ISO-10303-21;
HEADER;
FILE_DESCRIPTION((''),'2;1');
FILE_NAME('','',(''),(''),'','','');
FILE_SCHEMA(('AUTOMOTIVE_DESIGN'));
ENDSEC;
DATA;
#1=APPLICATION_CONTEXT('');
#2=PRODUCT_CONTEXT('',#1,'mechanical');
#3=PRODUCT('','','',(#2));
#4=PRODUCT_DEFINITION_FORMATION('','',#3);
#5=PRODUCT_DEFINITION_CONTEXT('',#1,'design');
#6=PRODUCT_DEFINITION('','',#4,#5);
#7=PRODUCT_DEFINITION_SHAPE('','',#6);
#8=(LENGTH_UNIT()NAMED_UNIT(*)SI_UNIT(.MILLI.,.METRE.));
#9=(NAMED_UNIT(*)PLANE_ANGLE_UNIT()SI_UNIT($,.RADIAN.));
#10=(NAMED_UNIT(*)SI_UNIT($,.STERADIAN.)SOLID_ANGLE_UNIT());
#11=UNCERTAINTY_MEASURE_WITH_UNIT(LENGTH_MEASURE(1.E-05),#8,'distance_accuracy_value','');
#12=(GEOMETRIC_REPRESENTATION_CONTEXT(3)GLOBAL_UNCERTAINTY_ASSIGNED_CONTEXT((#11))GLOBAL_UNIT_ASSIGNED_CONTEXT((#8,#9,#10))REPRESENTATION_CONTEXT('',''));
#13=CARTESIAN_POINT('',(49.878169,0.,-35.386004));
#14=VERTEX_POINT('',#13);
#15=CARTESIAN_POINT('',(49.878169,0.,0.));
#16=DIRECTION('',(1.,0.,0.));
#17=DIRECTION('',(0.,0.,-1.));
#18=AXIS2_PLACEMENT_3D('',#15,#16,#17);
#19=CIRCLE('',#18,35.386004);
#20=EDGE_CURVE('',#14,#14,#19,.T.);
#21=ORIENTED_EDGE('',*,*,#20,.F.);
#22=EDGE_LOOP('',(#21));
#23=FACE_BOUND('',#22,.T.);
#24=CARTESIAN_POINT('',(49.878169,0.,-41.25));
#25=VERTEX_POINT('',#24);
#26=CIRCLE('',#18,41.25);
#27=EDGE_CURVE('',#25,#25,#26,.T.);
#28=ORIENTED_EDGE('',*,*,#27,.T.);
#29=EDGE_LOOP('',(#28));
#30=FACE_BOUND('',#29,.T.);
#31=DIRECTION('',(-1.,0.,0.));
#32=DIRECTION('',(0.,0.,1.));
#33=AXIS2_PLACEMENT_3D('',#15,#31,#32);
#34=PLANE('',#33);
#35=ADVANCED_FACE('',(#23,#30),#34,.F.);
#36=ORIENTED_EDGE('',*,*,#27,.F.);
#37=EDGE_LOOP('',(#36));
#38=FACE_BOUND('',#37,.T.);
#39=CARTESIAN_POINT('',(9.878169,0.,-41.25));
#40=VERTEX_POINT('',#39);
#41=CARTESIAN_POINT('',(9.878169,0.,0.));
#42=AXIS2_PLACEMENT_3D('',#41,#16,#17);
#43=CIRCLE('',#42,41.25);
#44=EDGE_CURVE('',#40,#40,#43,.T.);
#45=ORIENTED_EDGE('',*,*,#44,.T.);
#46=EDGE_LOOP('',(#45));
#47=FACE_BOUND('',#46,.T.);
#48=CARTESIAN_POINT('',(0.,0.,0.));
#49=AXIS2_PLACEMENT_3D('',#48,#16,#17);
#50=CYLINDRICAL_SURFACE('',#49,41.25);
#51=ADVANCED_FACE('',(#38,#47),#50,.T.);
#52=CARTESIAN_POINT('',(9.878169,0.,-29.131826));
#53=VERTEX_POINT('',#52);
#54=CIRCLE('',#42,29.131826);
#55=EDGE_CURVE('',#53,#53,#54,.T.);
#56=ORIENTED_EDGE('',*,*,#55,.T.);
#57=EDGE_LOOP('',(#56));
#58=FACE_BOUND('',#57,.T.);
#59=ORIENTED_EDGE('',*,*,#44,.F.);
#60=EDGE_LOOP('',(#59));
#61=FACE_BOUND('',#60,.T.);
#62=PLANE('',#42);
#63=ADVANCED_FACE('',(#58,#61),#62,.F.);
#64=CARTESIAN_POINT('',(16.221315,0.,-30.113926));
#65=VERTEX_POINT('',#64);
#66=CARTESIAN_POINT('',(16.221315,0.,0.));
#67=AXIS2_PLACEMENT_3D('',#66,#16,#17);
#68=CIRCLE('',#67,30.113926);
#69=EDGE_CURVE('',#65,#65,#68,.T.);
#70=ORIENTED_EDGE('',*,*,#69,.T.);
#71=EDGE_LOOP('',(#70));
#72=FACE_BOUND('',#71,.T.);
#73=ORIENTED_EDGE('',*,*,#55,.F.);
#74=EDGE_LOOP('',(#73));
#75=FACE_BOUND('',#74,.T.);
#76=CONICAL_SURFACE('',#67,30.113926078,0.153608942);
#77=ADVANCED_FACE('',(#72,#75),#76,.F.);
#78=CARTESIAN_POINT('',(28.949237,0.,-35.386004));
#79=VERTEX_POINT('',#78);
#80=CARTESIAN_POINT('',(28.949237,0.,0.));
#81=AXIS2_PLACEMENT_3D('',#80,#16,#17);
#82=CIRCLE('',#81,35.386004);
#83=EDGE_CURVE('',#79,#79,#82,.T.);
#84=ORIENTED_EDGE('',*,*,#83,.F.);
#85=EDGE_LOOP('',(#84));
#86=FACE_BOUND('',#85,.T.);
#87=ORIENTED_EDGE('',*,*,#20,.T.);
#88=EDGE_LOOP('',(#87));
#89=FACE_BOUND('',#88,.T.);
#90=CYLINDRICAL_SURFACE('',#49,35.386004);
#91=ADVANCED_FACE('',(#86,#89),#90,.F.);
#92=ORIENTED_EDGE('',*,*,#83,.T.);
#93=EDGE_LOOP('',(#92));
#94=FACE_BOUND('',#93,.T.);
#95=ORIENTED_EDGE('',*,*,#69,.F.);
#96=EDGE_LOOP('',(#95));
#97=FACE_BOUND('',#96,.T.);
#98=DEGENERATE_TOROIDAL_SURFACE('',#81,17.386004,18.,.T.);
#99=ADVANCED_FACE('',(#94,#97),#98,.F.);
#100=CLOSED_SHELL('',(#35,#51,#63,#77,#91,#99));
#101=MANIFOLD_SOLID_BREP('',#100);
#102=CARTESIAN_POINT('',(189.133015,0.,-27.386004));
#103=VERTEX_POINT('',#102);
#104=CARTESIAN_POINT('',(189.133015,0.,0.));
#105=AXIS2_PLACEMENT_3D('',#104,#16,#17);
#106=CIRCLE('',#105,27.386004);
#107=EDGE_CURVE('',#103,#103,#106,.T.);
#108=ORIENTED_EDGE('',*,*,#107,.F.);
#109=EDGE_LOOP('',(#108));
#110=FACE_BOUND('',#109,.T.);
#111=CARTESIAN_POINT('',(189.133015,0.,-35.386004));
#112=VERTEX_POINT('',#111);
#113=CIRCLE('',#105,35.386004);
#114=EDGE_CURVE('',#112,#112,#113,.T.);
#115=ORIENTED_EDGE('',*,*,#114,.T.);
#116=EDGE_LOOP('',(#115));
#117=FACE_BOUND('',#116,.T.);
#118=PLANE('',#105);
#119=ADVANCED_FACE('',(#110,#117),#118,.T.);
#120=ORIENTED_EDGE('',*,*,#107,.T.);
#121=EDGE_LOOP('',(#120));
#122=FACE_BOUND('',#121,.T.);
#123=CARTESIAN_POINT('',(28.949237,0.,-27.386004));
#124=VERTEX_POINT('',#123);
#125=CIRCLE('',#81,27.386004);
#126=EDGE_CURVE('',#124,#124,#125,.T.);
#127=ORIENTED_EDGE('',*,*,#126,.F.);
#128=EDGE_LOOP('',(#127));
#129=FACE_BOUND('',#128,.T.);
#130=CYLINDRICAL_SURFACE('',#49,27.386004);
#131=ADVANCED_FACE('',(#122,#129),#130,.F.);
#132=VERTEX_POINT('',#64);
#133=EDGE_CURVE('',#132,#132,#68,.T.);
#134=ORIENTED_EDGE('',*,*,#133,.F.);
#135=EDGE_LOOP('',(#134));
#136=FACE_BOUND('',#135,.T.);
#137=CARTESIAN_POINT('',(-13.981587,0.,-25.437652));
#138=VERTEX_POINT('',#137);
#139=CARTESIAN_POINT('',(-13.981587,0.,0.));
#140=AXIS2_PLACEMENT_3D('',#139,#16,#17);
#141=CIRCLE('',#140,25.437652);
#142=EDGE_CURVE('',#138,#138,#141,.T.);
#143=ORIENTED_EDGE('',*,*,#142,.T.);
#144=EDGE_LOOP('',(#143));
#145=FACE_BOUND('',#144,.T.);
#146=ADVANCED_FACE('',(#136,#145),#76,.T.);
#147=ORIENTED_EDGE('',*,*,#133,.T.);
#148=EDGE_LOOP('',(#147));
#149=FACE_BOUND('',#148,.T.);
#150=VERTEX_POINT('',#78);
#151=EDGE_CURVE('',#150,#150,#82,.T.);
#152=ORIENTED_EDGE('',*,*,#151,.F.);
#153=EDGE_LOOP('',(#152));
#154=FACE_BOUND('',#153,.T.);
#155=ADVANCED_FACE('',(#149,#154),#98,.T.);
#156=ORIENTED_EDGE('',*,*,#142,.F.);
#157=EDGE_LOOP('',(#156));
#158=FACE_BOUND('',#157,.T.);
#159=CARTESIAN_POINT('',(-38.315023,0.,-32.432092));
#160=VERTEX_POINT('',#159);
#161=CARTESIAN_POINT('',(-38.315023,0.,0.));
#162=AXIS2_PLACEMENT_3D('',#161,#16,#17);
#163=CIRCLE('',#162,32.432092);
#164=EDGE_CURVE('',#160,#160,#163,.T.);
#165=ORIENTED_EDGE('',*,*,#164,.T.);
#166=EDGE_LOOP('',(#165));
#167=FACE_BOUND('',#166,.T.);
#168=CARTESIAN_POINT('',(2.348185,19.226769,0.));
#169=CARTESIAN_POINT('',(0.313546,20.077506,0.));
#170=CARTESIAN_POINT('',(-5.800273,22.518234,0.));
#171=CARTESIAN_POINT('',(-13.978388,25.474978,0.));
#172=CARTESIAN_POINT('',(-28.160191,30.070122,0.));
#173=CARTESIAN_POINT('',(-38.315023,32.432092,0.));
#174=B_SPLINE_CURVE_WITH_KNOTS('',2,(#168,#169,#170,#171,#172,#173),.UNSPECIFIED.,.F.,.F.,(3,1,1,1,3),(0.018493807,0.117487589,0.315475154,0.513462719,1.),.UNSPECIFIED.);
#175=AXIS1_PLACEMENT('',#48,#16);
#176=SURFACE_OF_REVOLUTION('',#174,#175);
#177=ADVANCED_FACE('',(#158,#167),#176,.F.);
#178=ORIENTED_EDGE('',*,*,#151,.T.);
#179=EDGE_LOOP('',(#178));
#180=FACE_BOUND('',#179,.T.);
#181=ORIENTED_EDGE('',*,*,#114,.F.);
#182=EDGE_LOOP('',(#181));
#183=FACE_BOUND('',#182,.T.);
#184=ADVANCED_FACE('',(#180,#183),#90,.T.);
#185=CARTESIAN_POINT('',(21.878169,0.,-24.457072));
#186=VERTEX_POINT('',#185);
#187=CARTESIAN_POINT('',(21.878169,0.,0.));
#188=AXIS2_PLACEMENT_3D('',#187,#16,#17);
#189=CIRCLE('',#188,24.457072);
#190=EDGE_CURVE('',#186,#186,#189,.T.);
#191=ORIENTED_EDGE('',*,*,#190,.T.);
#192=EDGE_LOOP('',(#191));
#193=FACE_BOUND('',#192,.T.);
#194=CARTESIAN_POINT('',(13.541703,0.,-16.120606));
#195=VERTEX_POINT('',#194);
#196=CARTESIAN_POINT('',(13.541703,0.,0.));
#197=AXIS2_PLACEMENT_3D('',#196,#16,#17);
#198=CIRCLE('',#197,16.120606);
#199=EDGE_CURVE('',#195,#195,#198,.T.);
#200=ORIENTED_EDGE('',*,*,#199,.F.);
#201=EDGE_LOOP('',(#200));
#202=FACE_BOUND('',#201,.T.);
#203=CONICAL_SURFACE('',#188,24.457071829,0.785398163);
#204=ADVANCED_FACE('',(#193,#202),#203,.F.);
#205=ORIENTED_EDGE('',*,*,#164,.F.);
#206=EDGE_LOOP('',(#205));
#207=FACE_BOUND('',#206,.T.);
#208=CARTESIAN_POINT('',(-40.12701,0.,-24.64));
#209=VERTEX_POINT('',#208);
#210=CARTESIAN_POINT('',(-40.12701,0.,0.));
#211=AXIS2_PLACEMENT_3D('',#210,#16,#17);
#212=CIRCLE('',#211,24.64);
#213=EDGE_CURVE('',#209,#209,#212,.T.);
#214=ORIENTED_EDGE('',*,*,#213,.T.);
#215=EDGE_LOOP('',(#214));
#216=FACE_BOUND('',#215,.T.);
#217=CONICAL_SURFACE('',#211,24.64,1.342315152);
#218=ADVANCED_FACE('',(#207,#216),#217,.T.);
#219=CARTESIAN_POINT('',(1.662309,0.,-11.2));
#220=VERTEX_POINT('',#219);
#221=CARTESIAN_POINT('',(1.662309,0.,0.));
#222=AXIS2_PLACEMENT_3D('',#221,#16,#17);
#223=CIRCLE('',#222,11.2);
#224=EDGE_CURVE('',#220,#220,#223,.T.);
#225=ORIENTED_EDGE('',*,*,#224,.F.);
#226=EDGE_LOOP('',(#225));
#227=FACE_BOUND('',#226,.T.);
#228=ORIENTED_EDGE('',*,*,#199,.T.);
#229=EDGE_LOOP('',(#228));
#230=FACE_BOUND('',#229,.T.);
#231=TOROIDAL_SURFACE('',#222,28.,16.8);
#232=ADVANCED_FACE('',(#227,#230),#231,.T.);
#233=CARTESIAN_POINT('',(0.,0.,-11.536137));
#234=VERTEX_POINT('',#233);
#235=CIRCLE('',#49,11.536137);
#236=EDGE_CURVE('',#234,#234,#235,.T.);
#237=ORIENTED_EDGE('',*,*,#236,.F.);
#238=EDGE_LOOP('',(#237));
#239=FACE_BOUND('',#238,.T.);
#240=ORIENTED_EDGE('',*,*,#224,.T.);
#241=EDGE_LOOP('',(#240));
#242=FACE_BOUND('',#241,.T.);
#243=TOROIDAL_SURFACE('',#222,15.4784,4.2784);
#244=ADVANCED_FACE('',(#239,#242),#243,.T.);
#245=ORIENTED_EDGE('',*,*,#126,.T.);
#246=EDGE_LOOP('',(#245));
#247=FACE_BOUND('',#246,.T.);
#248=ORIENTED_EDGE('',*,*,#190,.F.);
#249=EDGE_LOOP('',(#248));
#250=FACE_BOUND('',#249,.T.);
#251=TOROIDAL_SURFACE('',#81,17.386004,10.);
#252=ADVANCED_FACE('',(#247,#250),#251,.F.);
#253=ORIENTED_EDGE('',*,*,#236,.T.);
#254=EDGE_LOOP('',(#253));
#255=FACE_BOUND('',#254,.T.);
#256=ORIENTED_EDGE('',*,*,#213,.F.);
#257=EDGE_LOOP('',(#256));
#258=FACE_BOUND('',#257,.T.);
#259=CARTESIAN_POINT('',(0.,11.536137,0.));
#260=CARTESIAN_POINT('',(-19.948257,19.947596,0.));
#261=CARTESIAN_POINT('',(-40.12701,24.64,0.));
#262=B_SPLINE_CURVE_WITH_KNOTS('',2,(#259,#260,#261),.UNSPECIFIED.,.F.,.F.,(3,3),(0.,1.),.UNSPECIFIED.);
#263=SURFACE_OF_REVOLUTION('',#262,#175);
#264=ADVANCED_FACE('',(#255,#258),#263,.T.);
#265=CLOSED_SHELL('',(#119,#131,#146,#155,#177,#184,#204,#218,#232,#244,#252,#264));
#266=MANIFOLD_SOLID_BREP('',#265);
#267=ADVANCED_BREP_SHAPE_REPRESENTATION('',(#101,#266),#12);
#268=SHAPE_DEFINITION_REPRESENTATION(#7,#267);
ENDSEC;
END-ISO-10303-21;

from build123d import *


with BuildPart() as part:
    # Sketch1 → Revolve1 (revolve)
    with BuildSketch(Plane.XY, mode=Mode.PRIVATE) as revolve1_sk:
        with BuildLine():
            Line((28.949236933, 27.386004017), (189.133015331, 27.386004017))
            Line((189.133015331, 27.386004017), (189.133015331, 35.386004017))
            Line((189.133015331, 35.386004017), (28.949236933, 35.386004017))
            ThreePointArc((28.949236933, 35.386004017), (22.060935151, 34.015835602), (16.221314872, 30.113926078))
            Line((16.221314872, 30.113926078), (7.884849119, 21.777460326))
            ThreePointArc((7.884849119, 21.777460326), (5.344435892, 20.007381854), (2.348184674, 19.226769399))
            add(Edge.make_bspline(
                [(2.348184674, 19.226769399), (0.313545637, 20.077506039), (-5.800272609, 22.518234313), (-11.933859149, 24.735791909), (-13.981586934, 25.437652311)],
                knots=[0.018493807, 0.018493807, 0.018493807, 0.117487589, 0.315475154, 0.414468937, 0.414468937, 0.414468937], degree=2))
            add(Edge.make_bspline(
                [(-13.981586934, 25.437652311), (-16.029314719, 26.139512712), (-28.160190772, 30.070121673), (-38.315022829, 32.432092239)],
                knots=[0.414468937, 0.414468937, 0.414468937, 0.513462719, 1, 1, 1], degree=2))
            Line((-38.315022829, 32.432092239), (-40.127010283, 24.64))
            add(Edge.make_bspline(
                [(0, 11.536137468), (-19.948257354, 19.947595697), (-40.127010283, 24.64)],
                knots=[0, 0, 0, 1, 1, 1], degree=2))
            ThreePointArc((0, 11.536137468), (0.81433228, 11.284876268), (1.662309445, 11.2))
            ThreePointArc((1.662309445, 11.2), (8.091391109, 12.478823854), (13.541703369, 16.120606076))
            Line((13.541703369, 16.120606076), (21.878169121, 24.457071829))
            ThreePointArc((21.878169121, 24.457071829), (25.12240261, 26.624799342), (28.949236933, 27.386004017))
        make_face()
        with BuildLine():
            Line((7.884849119, 21.777460326), (16.221314872, 30.113926078))
            Line((16.221314872, 30.113926078), (-13.981586934, 25.437652311))
            add(Edge.make_bspline(
                [(2.348184674, 19.226769399), (0.313545637, 20.077506039), (-5.800272609, 22.518234313), (-11.933859149, 24.735791909), (-13.981586934, 25.437652311)],
                knots=[0.018493807, 0.018493807, 0.018493807, 0.117487589, 0.315475154, 0.414468937, 0.414468937, 0.414468937], degree=2))
            ThreePointArc((2.348184674, 19.226769399), (5.344435892, 20.007381854), (7.884849119, 21.777460326))
        make_face()
    revolve(revolve1_sk.sketch.rotate(Axis((0, 0, 0), (-1, 0, 0)), 90), axis=Axis((0, 0, 0), (-1, 0, 0)))


with BuildPart() as body_2:
    # Sketch3 → Revolve2 (revolve)
    with BuildSketch(Plane.XY, mode=Mode.PRIVATE) as revolve2_sk:
        with BuildLine():
            Line((9.878169121, 29.131825541), (16.221314872, 30.113926078))
            ThreePointArc((16.221314872, 30.113926078), (22.060935151, 34.015835602), (28.949236933, 35.386004017))
            Line((28.949236933, 35.386004017), (49.878169121, 35.386004017))
            Line((49.878169121, 35.386004017), (49.878169121, 41.25))
            Line((49.878169121, 41.25), (9.878169121, 41.25))
            Line((9.878169121, 41.25), (9.878169121, 29.131825541))
        make_face()
    revolve(revolve2_sk.sketch.rotate(Axis((0, 0, 0), (-1, 0, 0)), 90), axis=Axis((0, 0, 0), (-1, 0, 0)))


solid = Compound([part.part, body_2.part])
